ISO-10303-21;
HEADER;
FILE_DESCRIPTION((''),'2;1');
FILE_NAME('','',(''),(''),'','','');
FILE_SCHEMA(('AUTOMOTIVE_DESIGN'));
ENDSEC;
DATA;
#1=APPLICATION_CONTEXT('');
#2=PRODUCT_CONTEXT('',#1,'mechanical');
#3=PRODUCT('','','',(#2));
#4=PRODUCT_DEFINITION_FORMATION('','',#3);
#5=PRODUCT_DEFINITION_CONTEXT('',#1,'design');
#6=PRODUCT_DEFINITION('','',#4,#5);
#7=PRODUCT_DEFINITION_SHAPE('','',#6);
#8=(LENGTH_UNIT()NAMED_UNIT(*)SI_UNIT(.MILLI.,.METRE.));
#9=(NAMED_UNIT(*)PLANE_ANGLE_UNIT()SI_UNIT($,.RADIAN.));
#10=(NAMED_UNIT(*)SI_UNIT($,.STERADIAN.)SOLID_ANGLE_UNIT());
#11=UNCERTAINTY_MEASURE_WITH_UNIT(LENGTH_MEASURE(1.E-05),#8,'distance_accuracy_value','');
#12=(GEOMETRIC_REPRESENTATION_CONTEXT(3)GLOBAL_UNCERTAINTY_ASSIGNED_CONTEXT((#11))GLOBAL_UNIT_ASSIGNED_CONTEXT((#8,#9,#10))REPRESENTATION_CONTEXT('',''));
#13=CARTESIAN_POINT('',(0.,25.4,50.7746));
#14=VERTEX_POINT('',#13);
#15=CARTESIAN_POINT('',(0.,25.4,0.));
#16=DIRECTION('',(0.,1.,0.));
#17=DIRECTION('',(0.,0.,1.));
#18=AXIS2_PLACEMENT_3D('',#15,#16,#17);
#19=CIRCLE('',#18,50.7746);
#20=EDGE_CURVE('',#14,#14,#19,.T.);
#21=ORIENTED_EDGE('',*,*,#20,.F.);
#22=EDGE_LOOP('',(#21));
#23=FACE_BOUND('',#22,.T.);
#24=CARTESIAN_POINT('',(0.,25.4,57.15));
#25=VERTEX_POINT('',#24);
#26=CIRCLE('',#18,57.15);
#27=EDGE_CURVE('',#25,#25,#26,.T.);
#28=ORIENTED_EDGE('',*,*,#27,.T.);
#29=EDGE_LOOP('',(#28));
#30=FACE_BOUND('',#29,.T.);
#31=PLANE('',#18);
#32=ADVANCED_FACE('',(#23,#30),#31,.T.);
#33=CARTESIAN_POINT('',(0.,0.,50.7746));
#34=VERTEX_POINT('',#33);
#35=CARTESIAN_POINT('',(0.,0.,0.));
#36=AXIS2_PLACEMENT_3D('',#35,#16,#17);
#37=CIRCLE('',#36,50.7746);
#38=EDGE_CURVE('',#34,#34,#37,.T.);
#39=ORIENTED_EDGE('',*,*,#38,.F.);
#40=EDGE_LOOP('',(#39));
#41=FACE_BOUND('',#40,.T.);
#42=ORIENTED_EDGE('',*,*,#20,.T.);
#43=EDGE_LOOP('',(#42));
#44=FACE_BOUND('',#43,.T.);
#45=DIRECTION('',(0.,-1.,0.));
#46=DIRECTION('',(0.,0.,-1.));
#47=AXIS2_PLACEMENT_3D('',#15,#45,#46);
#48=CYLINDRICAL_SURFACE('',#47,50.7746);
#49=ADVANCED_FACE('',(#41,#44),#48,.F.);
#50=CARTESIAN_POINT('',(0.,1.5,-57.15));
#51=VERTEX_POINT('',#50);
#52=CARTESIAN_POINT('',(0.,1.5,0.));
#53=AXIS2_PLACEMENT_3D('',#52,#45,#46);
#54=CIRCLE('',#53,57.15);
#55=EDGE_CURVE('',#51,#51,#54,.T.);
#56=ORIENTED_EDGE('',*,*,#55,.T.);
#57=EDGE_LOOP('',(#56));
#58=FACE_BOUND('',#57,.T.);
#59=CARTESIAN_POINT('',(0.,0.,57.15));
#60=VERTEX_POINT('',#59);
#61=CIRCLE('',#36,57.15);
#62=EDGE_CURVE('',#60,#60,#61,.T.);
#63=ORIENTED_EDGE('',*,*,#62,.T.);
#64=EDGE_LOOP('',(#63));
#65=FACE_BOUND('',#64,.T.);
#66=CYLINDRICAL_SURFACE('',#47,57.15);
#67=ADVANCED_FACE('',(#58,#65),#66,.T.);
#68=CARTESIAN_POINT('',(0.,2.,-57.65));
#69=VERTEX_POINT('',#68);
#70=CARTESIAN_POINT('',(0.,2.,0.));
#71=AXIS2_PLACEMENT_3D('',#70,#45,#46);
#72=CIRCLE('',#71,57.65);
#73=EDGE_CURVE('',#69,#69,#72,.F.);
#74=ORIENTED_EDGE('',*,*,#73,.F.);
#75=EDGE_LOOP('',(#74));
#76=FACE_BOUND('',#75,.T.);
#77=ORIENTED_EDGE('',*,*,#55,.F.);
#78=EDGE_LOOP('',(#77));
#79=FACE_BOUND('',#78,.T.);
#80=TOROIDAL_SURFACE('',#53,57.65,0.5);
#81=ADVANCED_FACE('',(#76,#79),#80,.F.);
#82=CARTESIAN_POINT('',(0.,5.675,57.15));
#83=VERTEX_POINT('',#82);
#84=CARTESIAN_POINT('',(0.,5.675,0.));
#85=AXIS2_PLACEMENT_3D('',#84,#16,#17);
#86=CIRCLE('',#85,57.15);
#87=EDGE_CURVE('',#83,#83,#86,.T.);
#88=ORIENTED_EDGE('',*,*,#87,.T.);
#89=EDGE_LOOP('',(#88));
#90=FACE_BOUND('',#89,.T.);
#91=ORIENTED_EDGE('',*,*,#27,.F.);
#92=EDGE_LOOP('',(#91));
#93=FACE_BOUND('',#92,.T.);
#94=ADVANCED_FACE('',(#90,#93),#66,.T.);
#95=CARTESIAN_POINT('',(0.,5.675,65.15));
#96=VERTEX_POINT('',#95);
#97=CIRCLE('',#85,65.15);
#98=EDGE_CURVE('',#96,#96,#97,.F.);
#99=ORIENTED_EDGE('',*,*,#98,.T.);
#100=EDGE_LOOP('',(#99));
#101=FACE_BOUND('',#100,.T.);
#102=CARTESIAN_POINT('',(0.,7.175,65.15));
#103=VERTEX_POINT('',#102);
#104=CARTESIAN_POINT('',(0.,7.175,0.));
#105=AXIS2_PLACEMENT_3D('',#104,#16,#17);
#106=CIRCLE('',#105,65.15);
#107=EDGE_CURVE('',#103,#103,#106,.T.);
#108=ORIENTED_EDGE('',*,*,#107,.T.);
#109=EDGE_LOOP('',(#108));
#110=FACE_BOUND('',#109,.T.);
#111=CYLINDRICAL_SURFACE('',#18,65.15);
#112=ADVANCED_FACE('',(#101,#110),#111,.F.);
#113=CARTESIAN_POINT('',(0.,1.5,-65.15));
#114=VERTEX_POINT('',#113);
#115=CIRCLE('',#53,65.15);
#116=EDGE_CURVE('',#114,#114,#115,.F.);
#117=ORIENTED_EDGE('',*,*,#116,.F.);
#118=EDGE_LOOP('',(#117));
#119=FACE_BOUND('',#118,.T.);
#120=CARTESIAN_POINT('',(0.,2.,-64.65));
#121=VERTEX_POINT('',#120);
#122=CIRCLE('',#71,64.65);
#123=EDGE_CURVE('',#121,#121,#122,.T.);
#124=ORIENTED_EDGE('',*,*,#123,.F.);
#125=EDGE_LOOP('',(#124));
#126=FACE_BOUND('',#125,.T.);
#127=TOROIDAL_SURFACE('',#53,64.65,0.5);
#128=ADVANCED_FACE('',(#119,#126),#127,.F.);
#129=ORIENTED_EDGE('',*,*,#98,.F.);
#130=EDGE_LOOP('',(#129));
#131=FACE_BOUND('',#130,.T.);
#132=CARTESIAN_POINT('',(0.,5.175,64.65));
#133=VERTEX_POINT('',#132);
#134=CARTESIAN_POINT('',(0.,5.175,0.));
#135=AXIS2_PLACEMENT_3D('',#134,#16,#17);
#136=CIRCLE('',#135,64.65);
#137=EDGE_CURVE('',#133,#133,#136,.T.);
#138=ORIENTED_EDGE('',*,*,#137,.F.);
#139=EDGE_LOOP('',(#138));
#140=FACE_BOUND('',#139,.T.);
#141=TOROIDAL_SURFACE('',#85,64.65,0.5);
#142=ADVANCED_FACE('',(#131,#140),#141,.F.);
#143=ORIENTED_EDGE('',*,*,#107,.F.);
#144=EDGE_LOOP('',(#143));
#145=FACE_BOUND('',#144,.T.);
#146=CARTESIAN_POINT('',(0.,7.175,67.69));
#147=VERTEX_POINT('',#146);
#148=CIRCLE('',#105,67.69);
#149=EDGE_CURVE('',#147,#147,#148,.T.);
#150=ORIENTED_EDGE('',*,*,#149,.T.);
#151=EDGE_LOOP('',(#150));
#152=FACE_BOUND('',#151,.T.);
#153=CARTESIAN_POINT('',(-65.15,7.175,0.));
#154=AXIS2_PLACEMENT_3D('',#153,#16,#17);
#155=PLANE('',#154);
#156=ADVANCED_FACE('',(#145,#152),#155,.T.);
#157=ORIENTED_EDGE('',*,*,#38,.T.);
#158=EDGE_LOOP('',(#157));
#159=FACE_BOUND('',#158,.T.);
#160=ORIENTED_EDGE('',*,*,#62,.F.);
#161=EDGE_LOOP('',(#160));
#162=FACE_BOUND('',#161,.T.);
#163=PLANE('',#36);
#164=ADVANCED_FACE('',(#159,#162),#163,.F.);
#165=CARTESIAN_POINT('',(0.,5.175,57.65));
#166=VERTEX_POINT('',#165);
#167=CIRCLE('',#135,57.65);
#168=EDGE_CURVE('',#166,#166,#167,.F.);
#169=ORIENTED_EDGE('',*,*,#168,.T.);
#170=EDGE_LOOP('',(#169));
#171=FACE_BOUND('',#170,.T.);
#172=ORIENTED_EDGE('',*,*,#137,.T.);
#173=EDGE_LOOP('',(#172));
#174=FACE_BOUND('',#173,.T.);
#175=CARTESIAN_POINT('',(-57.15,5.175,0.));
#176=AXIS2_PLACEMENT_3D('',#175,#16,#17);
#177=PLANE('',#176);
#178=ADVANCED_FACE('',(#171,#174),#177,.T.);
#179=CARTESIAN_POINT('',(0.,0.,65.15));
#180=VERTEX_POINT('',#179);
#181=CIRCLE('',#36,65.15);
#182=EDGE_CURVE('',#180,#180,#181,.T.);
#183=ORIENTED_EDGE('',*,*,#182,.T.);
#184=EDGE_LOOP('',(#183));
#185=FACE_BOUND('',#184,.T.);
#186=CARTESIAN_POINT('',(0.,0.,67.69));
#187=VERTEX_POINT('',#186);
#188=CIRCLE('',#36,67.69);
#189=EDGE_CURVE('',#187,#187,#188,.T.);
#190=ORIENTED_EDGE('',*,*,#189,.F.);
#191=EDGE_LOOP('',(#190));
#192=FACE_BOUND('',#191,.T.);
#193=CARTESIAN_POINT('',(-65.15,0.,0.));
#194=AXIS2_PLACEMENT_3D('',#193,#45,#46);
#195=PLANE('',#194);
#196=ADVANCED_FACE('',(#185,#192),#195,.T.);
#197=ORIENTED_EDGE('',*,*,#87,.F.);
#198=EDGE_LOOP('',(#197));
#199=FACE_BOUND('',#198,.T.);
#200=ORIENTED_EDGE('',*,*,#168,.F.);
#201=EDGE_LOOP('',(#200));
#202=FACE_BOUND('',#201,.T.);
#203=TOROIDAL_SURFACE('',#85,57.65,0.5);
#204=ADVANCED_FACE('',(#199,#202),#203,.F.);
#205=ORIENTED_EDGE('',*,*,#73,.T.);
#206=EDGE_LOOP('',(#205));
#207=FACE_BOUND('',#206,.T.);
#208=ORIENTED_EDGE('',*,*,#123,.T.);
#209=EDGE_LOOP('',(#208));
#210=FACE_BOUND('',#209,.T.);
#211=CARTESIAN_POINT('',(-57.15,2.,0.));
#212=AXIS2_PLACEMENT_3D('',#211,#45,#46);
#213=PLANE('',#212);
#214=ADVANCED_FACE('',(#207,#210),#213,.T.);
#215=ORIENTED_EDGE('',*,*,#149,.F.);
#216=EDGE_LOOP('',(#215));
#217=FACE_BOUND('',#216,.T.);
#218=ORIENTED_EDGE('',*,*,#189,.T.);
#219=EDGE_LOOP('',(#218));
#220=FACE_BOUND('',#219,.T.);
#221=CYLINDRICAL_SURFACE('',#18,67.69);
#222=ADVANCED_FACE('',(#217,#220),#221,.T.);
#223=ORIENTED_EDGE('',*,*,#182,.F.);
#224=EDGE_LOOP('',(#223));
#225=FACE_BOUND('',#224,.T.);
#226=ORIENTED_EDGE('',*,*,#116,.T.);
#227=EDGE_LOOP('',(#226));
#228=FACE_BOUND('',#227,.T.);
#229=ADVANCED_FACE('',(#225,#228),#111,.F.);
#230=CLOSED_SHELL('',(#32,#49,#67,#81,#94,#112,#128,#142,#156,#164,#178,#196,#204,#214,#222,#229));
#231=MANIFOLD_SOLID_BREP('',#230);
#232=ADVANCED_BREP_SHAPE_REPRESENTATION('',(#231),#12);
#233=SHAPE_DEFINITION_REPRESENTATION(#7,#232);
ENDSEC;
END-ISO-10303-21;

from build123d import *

# Parameters (mm, degrees)
SKETCH1_R           = 57.15
SKETCH1_R_2         = 50.7746
BOSS_EXTRUDE1_DEPTH = 25.4
FILLET1_R           = 0.5


with BuildPart() as part:
    # Sketch1 → Boss-Extrude1 (new body)
    with BuildSketch(Plane(origin=(0, 0, 0), x_dir=(1, 0, 0), z_dir=(0, 1, 0))):
        Circle(SKETCH1_R)
        Circle(SKETCH1_R_2, mode=Mode.SUBTRACT)
    extrude(amount=BOSS_EXTRUDE1_DEPTH)

    # Sketch2 → Revolve1 (revolve)
    with BuildSketch(Plane.XY):
        Polygon((-57.15, 5.175), (-65.15, 5.175), (-65.15, 7.175), (-67.69, 7.175), (-67.69, 0), (-65.15, 0), (-65.15, 2), (-57.15, 2), align=None)
    revolve(axis=Axis((0, 25.4, 0), (0, -1, 0)))

    # Fillet1
    fillet1_edges = [part.edges().sort_by_distance(p)[0] for p in [
        (-57.15, 5.175, 0),
        (-57.15, 2, 0),
        (65.15, 2, 0),
        (65.15, 5.175, 0),
    ]]
    fillet(fillet1_edges, radius=FILLET1_R)


solid = part.part
